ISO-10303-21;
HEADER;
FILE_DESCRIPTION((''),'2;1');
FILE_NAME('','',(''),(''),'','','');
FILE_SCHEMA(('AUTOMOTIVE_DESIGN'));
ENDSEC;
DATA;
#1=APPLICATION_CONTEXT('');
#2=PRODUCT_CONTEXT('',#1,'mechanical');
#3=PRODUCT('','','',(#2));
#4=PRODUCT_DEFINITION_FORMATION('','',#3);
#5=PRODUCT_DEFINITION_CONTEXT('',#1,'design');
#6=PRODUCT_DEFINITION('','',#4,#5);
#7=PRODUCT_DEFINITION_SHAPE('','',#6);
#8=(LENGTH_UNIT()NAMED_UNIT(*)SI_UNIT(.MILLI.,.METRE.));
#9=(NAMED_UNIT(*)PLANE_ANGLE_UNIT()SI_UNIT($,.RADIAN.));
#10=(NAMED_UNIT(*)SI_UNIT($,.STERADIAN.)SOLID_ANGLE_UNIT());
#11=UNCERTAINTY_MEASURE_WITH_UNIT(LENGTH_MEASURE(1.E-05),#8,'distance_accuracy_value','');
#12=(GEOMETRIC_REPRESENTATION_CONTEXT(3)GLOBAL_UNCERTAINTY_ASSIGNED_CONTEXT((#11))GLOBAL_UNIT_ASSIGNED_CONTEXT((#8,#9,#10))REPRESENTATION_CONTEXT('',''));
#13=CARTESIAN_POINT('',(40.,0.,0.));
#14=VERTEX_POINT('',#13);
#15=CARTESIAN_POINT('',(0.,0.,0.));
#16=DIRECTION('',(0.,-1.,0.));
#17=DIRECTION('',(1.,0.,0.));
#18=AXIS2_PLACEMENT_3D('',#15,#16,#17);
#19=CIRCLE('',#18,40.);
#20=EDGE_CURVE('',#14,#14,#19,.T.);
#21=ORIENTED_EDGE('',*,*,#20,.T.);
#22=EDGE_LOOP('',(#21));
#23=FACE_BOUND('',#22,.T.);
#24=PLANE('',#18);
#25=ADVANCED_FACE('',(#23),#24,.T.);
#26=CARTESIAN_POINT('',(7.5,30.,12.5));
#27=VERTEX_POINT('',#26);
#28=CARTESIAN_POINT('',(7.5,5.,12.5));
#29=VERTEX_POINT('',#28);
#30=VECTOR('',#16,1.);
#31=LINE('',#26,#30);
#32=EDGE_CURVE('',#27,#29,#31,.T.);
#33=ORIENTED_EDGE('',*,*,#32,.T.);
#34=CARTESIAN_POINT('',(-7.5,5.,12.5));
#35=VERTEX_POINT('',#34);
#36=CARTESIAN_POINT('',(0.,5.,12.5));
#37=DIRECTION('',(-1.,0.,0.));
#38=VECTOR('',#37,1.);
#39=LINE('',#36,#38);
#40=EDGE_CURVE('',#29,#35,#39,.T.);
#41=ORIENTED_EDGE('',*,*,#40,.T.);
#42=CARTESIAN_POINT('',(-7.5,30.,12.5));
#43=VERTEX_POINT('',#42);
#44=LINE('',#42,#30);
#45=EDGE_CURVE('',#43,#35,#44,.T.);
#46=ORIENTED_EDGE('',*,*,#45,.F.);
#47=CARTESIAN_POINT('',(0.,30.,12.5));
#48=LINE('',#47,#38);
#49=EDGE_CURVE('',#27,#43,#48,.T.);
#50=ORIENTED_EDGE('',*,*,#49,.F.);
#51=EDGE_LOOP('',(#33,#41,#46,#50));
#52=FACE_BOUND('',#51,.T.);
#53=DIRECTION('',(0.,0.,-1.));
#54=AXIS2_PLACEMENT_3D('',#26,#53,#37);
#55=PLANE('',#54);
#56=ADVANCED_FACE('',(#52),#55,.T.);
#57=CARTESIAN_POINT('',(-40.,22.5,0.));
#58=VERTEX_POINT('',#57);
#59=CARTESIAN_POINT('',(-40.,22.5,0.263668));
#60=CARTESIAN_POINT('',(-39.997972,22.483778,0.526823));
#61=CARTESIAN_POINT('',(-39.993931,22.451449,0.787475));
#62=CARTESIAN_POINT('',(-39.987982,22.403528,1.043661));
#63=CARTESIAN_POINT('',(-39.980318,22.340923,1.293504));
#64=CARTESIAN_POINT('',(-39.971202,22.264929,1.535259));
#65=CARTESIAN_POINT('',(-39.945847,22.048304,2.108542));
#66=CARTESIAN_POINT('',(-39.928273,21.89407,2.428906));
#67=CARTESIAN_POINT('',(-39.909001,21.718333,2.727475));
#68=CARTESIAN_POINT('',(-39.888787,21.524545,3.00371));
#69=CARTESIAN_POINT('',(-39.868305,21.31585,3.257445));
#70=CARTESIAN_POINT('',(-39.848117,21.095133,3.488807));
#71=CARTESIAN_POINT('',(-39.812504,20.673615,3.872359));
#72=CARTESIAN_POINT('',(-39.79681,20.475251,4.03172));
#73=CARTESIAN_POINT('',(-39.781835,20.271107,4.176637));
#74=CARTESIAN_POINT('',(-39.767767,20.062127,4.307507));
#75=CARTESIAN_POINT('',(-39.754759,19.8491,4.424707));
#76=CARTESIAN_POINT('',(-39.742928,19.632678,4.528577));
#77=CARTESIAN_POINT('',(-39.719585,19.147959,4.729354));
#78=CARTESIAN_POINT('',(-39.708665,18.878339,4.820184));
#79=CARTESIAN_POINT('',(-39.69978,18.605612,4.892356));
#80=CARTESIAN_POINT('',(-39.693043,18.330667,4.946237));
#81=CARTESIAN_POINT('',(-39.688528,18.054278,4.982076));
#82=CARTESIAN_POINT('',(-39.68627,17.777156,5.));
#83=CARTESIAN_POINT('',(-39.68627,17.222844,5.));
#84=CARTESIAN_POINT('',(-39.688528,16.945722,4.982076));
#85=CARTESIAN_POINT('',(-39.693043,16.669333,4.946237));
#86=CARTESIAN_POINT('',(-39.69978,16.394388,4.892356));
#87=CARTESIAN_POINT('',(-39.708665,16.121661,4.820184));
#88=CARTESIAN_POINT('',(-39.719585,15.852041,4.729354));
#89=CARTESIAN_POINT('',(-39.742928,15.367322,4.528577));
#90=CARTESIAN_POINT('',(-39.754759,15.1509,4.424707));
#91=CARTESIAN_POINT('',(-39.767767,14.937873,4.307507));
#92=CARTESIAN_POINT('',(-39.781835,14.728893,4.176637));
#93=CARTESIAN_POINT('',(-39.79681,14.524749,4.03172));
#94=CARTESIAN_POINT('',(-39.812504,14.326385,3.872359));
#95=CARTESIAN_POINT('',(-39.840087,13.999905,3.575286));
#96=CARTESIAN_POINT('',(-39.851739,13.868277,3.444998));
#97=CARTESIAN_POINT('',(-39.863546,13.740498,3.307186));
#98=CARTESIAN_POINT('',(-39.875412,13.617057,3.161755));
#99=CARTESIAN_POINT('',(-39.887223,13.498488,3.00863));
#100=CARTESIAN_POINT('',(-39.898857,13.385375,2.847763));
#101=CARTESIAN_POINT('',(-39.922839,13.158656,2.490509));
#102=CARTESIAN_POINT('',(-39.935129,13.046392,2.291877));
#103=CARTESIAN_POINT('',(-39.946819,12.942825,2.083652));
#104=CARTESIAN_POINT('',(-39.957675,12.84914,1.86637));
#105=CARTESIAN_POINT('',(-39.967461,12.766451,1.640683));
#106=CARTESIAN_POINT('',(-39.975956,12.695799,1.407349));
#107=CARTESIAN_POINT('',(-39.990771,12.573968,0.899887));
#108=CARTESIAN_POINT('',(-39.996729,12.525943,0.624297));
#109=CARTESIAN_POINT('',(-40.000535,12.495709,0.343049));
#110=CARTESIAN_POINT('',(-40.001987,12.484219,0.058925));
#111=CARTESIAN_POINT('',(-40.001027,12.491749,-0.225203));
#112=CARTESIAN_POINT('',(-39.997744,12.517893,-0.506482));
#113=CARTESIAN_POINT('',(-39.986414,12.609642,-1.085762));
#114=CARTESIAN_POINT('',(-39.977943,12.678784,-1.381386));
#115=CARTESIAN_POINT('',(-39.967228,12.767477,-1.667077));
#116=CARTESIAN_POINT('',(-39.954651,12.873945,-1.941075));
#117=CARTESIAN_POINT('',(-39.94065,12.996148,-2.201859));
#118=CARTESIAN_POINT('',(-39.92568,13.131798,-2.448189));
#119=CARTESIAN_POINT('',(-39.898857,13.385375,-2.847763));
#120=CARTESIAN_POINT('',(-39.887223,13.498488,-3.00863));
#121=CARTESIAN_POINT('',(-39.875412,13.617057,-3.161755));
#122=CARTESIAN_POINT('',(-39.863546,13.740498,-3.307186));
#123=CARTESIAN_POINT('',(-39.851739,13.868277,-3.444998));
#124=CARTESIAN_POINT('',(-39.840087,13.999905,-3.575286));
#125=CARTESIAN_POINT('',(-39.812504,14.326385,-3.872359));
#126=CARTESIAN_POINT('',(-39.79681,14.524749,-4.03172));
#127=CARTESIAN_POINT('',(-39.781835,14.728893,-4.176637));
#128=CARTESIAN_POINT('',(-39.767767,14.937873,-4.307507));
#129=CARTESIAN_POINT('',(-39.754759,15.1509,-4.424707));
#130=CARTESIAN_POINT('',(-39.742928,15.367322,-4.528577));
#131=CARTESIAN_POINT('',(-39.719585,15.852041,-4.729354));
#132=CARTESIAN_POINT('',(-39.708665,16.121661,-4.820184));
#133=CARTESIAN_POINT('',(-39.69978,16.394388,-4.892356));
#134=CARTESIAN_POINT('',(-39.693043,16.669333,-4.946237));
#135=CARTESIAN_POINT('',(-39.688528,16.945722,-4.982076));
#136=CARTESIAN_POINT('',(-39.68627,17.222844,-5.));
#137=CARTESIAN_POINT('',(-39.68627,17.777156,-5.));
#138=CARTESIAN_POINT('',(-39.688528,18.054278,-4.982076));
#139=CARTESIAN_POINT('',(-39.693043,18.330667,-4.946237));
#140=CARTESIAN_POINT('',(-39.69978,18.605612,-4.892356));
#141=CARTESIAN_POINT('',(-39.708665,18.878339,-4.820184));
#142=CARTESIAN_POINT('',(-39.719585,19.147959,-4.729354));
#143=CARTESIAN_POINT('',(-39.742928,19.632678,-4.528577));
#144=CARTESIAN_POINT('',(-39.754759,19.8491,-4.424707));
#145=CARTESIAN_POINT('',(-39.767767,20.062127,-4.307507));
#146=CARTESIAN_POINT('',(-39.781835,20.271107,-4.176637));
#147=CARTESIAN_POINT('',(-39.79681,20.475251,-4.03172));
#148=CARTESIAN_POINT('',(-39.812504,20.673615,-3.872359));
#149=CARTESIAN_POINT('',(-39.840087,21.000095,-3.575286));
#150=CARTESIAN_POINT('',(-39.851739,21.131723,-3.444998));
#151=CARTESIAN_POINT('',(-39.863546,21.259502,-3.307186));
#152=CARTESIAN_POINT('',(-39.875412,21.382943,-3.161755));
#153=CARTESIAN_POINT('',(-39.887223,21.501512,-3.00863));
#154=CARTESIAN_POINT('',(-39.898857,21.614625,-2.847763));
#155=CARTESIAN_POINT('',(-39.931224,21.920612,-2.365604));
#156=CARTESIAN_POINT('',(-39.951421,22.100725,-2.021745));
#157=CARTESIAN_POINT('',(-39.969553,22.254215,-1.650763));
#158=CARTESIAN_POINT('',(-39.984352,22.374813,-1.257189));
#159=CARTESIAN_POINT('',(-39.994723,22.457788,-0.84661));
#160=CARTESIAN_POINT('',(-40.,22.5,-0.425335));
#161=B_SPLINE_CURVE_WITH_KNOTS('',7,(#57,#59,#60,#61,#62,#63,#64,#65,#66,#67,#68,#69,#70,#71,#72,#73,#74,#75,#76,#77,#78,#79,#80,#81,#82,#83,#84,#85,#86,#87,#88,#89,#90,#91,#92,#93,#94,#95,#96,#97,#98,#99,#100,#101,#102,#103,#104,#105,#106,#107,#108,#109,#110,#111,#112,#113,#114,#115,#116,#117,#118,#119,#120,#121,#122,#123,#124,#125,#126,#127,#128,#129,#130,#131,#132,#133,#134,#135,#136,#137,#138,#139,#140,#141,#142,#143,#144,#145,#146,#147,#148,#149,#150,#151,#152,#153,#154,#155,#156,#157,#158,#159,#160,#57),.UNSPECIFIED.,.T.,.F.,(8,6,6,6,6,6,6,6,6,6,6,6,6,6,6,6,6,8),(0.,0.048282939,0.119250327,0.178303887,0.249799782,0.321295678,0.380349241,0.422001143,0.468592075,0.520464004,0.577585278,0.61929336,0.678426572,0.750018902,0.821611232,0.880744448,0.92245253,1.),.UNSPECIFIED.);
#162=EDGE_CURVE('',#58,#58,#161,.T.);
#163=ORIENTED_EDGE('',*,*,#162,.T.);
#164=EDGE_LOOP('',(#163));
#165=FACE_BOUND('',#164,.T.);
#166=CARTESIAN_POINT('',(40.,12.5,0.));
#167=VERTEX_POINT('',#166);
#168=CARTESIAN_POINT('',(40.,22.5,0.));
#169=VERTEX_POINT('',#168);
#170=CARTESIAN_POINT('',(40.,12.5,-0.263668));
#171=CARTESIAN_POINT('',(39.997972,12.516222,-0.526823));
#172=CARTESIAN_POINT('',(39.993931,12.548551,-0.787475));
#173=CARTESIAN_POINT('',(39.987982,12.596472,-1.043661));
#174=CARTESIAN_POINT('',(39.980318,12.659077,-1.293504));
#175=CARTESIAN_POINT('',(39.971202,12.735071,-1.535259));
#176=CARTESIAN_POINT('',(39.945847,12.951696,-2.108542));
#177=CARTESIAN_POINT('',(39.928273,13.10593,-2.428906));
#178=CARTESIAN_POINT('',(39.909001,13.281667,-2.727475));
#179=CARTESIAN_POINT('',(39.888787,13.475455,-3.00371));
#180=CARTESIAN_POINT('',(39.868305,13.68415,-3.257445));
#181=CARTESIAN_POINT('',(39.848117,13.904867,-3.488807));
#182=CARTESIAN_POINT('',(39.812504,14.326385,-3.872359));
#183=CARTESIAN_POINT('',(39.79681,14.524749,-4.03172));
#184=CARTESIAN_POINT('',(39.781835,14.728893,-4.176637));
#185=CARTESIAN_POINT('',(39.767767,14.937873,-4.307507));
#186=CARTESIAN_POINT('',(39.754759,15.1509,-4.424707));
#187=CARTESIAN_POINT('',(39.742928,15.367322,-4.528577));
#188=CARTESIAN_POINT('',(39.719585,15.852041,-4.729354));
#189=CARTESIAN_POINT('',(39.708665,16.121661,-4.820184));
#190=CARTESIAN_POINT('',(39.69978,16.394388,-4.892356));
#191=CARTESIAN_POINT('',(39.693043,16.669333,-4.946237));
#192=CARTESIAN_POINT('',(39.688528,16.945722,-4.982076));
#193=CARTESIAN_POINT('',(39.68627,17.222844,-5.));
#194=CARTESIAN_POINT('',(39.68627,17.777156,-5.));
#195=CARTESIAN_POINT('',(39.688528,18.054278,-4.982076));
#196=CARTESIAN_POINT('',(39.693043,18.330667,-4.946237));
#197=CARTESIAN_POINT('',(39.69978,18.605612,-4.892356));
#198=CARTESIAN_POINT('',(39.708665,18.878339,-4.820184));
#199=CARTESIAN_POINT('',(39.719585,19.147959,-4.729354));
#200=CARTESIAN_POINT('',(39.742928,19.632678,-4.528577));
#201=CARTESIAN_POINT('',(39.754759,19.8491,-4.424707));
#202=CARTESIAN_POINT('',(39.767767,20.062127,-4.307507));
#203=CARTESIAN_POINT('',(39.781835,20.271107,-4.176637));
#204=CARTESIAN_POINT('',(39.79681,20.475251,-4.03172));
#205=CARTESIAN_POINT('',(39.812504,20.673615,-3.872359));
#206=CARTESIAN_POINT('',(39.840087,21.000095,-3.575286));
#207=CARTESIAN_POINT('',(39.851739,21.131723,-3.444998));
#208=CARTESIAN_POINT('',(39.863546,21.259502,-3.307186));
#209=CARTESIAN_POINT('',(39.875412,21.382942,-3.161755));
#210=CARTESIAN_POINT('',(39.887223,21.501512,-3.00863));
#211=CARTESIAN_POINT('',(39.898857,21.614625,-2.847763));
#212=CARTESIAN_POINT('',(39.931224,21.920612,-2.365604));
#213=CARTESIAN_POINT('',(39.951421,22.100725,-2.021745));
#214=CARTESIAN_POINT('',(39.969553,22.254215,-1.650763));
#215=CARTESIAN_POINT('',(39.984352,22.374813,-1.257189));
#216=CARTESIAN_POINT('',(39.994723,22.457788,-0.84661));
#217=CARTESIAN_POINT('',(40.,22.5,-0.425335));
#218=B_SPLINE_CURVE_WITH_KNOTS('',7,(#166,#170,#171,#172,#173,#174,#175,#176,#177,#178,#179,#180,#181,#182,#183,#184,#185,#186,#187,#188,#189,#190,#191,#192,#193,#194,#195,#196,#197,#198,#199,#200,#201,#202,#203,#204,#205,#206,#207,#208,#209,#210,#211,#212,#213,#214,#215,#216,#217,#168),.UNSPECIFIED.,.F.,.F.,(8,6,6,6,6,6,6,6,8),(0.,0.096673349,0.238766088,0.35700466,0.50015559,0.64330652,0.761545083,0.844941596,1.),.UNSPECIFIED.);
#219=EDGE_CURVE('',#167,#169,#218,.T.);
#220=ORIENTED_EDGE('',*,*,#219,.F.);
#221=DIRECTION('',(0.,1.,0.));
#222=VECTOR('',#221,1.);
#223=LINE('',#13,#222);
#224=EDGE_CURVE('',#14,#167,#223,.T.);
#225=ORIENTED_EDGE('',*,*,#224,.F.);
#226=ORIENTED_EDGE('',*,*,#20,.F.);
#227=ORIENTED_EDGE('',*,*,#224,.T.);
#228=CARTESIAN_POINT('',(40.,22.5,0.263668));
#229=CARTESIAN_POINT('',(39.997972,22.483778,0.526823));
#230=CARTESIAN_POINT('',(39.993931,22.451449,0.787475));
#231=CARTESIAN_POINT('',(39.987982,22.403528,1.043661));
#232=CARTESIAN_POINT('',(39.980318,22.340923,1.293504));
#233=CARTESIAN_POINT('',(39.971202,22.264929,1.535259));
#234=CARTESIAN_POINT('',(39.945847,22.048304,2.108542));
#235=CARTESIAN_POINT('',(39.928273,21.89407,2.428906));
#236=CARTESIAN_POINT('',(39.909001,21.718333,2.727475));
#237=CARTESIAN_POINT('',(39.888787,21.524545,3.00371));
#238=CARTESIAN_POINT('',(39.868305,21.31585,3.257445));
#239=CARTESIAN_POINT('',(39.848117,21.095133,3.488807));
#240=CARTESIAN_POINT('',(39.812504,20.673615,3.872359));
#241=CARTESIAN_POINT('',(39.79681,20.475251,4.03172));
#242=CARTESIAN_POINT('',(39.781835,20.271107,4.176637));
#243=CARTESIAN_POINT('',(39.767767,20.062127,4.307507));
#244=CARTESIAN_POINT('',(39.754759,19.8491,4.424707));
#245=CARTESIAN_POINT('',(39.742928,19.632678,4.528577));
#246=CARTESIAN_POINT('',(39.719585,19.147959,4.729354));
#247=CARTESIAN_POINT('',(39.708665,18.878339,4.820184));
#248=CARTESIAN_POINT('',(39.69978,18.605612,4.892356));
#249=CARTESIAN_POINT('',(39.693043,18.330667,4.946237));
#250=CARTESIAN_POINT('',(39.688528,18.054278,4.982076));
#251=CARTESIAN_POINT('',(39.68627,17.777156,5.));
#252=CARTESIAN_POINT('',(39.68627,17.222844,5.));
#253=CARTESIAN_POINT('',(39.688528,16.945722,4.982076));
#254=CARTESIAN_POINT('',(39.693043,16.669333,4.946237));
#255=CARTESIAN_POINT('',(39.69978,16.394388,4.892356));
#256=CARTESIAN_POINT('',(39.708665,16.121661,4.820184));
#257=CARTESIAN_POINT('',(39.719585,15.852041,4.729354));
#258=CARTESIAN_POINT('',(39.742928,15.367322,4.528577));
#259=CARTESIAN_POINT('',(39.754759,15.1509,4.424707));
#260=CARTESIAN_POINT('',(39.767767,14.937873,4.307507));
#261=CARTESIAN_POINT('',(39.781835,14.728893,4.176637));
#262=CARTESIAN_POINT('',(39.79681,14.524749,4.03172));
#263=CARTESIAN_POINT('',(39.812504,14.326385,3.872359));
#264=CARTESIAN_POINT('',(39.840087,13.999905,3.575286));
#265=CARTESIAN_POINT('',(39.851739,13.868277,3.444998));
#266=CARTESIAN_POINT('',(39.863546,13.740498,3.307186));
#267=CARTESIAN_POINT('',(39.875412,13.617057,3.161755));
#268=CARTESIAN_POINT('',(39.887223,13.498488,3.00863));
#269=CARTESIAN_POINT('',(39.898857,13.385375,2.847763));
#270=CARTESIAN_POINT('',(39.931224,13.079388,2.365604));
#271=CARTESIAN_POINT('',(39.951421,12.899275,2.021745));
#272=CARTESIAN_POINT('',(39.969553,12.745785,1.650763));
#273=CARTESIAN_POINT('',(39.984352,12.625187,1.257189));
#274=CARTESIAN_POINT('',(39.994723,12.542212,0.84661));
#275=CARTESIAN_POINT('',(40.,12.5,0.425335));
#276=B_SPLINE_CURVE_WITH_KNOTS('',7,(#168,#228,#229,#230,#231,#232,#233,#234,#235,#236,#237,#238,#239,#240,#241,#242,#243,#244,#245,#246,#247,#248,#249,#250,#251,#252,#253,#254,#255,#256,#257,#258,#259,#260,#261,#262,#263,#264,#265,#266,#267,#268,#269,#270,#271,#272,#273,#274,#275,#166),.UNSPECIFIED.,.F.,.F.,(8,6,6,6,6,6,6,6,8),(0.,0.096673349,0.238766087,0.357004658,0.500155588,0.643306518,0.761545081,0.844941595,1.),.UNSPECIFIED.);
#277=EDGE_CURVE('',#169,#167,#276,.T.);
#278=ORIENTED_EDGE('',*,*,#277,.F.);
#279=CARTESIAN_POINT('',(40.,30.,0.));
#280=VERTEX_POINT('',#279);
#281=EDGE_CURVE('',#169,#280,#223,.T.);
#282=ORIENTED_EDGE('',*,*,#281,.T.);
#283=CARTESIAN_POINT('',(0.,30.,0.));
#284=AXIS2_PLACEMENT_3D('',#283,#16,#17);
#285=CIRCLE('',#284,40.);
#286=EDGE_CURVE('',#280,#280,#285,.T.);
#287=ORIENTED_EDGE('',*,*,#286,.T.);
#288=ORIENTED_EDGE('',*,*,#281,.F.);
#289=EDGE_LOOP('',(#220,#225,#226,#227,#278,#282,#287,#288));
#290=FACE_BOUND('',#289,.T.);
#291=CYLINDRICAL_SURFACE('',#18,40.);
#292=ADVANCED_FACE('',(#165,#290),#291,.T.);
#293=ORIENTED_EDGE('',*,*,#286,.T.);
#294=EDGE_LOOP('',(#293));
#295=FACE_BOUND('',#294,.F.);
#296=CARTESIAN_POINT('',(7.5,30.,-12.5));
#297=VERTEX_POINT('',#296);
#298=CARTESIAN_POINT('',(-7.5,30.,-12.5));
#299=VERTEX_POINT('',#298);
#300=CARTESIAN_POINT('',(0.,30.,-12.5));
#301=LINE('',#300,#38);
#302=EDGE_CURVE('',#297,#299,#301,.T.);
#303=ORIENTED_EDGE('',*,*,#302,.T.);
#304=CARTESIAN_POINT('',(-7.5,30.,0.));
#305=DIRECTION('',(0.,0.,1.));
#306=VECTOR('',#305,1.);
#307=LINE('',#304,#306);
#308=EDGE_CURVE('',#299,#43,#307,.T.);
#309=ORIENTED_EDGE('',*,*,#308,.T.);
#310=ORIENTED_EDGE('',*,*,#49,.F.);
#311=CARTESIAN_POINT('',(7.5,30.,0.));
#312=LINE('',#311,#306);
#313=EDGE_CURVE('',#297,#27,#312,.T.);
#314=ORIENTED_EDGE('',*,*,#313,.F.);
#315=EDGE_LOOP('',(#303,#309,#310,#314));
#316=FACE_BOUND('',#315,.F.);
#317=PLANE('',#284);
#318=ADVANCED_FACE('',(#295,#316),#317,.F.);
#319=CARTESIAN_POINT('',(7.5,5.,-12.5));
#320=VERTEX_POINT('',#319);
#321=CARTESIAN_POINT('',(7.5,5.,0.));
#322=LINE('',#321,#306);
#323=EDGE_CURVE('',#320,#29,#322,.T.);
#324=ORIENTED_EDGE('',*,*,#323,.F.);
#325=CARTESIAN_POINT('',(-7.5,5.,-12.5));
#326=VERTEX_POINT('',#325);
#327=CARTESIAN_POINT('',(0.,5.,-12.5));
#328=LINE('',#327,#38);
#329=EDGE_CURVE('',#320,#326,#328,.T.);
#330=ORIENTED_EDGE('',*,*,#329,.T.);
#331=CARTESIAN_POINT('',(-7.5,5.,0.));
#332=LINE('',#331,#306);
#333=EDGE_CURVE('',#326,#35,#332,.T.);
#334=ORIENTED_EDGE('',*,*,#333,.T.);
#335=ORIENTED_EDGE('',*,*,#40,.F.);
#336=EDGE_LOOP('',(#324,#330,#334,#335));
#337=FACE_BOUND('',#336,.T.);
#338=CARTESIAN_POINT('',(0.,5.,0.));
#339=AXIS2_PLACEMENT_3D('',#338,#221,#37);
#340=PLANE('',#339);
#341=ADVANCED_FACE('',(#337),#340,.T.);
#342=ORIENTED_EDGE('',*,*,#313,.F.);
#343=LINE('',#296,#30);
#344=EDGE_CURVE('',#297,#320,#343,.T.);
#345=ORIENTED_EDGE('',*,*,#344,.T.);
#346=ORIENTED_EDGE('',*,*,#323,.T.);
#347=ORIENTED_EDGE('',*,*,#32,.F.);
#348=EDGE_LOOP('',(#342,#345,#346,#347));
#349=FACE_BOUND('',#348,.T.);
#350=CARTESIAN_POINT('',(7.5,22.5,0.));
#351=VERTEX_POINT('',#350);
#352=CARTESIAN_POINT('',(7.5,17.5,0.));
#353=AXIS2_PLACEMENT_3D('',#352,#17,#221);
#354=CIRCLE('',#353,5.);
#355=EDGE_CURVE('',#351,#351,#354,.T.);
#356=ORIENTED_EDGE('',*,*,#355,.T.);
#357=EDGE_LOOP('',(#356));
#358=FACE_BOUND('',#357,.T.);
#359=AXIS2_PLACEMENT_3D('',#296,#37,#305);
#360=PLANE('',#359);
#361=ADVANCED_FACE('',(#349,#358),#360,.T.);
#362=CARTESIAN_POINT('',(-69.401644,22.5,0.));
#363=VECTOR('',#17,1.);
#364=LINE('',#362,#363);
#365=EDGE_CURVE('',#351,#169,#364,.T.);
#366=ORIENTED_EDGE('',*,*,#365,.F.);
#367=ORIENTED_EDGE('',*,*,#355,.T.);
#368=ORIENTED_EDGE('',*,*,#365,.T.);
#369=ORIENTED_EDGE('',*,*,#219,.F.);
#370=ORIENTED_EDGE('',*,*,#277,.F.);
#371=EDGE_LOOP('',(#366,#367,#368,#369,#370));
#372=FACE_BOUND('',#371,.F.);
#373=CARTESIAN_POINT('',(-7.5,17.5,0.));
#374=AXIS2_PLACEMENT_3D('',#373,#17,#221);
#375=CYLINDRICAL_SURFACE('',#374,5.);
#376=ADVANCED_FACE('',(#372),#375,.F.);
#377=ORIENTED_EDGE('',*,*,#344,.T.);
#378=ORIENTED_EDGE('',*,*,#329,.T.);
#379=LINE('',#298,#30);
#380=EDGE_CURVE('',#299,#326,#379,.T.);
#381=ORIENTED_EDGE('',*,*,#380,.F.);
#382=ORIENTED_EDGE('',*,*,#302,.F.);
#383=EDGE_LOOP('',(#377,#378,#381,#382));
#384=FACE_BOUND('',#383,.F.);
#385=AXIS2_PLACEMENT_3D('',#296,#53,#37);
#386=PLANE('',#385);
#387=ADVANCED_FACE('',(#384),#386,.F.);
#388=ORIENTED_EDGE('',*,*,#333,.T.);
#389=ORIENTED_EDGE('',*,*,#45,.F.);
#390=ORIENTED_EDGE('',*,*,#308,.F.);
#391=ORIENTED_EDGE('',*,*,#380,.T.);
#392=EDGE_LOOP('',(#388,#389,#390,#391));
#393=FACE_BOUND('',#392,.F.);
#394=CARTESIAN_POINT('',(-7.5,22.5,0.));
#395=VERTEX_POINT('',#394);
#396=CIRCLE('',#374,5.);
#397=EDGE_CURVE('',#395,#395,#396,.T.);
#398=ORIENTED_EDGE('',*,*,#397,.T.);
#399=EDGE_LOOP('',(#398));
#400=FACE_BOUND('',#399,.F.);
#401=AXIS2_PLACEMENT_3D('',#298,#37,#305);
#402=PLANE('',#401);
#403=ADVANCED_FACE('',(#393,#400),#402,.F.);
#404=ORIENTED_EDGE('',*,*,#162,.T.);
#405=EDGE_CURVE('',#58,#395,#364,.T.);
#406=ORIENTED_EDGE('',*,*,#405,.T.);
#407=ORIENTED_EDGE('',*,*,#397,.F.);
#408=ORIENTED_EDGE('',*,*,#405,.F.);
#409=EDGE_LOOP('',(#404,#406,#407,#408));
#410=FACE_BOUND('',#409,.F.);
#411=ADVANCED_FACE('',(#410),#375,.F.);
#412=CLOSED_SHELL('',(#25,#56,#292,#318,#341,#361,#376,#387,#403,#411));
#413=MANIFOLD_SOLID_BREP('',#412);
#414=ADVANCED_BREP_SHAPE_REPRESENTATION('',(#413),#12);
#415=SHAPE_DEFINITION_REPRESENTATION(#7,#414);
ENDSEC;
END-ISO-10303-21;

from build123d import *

# Parameters (mm, degrees)
F0_R     = 40
F1_DEPTH = 30
F2_W     = 15
F2_H     = 25
F3_DEPTH = 25
F4_R     = 5
F5_DEPTH = 61.901644


with BuildPart() as f1:
    # F0 (on Front) → F1 (new body)
    with BuildSketch(Plane.XZ):
        Circle(F0_R)
    extrude(amount=-F1_DEPTH)

    # F2 (on face) → F3 (cut)
    with BuildSketch(Plane(origin=(0, 30, 0), x_dir=(-1, 0, 0), z_dir=(0, 1, 0))):
        Rectangle(F2_W, F2_H)
    extrude(amount=-F3_DEPTH, mode=Mode.SUBTRACT)

    # F4 (on face) → F5 (cut, symmetric)
    with BuildSketch(Plane.YZ.offset(-7.5)):
        with Locations((17.5, 0)):
            Circle(F4_R)
    extrude(amount=F5_DEPTH, both=True, mode=Mode.SUBTRACT)


solid = f1.part
